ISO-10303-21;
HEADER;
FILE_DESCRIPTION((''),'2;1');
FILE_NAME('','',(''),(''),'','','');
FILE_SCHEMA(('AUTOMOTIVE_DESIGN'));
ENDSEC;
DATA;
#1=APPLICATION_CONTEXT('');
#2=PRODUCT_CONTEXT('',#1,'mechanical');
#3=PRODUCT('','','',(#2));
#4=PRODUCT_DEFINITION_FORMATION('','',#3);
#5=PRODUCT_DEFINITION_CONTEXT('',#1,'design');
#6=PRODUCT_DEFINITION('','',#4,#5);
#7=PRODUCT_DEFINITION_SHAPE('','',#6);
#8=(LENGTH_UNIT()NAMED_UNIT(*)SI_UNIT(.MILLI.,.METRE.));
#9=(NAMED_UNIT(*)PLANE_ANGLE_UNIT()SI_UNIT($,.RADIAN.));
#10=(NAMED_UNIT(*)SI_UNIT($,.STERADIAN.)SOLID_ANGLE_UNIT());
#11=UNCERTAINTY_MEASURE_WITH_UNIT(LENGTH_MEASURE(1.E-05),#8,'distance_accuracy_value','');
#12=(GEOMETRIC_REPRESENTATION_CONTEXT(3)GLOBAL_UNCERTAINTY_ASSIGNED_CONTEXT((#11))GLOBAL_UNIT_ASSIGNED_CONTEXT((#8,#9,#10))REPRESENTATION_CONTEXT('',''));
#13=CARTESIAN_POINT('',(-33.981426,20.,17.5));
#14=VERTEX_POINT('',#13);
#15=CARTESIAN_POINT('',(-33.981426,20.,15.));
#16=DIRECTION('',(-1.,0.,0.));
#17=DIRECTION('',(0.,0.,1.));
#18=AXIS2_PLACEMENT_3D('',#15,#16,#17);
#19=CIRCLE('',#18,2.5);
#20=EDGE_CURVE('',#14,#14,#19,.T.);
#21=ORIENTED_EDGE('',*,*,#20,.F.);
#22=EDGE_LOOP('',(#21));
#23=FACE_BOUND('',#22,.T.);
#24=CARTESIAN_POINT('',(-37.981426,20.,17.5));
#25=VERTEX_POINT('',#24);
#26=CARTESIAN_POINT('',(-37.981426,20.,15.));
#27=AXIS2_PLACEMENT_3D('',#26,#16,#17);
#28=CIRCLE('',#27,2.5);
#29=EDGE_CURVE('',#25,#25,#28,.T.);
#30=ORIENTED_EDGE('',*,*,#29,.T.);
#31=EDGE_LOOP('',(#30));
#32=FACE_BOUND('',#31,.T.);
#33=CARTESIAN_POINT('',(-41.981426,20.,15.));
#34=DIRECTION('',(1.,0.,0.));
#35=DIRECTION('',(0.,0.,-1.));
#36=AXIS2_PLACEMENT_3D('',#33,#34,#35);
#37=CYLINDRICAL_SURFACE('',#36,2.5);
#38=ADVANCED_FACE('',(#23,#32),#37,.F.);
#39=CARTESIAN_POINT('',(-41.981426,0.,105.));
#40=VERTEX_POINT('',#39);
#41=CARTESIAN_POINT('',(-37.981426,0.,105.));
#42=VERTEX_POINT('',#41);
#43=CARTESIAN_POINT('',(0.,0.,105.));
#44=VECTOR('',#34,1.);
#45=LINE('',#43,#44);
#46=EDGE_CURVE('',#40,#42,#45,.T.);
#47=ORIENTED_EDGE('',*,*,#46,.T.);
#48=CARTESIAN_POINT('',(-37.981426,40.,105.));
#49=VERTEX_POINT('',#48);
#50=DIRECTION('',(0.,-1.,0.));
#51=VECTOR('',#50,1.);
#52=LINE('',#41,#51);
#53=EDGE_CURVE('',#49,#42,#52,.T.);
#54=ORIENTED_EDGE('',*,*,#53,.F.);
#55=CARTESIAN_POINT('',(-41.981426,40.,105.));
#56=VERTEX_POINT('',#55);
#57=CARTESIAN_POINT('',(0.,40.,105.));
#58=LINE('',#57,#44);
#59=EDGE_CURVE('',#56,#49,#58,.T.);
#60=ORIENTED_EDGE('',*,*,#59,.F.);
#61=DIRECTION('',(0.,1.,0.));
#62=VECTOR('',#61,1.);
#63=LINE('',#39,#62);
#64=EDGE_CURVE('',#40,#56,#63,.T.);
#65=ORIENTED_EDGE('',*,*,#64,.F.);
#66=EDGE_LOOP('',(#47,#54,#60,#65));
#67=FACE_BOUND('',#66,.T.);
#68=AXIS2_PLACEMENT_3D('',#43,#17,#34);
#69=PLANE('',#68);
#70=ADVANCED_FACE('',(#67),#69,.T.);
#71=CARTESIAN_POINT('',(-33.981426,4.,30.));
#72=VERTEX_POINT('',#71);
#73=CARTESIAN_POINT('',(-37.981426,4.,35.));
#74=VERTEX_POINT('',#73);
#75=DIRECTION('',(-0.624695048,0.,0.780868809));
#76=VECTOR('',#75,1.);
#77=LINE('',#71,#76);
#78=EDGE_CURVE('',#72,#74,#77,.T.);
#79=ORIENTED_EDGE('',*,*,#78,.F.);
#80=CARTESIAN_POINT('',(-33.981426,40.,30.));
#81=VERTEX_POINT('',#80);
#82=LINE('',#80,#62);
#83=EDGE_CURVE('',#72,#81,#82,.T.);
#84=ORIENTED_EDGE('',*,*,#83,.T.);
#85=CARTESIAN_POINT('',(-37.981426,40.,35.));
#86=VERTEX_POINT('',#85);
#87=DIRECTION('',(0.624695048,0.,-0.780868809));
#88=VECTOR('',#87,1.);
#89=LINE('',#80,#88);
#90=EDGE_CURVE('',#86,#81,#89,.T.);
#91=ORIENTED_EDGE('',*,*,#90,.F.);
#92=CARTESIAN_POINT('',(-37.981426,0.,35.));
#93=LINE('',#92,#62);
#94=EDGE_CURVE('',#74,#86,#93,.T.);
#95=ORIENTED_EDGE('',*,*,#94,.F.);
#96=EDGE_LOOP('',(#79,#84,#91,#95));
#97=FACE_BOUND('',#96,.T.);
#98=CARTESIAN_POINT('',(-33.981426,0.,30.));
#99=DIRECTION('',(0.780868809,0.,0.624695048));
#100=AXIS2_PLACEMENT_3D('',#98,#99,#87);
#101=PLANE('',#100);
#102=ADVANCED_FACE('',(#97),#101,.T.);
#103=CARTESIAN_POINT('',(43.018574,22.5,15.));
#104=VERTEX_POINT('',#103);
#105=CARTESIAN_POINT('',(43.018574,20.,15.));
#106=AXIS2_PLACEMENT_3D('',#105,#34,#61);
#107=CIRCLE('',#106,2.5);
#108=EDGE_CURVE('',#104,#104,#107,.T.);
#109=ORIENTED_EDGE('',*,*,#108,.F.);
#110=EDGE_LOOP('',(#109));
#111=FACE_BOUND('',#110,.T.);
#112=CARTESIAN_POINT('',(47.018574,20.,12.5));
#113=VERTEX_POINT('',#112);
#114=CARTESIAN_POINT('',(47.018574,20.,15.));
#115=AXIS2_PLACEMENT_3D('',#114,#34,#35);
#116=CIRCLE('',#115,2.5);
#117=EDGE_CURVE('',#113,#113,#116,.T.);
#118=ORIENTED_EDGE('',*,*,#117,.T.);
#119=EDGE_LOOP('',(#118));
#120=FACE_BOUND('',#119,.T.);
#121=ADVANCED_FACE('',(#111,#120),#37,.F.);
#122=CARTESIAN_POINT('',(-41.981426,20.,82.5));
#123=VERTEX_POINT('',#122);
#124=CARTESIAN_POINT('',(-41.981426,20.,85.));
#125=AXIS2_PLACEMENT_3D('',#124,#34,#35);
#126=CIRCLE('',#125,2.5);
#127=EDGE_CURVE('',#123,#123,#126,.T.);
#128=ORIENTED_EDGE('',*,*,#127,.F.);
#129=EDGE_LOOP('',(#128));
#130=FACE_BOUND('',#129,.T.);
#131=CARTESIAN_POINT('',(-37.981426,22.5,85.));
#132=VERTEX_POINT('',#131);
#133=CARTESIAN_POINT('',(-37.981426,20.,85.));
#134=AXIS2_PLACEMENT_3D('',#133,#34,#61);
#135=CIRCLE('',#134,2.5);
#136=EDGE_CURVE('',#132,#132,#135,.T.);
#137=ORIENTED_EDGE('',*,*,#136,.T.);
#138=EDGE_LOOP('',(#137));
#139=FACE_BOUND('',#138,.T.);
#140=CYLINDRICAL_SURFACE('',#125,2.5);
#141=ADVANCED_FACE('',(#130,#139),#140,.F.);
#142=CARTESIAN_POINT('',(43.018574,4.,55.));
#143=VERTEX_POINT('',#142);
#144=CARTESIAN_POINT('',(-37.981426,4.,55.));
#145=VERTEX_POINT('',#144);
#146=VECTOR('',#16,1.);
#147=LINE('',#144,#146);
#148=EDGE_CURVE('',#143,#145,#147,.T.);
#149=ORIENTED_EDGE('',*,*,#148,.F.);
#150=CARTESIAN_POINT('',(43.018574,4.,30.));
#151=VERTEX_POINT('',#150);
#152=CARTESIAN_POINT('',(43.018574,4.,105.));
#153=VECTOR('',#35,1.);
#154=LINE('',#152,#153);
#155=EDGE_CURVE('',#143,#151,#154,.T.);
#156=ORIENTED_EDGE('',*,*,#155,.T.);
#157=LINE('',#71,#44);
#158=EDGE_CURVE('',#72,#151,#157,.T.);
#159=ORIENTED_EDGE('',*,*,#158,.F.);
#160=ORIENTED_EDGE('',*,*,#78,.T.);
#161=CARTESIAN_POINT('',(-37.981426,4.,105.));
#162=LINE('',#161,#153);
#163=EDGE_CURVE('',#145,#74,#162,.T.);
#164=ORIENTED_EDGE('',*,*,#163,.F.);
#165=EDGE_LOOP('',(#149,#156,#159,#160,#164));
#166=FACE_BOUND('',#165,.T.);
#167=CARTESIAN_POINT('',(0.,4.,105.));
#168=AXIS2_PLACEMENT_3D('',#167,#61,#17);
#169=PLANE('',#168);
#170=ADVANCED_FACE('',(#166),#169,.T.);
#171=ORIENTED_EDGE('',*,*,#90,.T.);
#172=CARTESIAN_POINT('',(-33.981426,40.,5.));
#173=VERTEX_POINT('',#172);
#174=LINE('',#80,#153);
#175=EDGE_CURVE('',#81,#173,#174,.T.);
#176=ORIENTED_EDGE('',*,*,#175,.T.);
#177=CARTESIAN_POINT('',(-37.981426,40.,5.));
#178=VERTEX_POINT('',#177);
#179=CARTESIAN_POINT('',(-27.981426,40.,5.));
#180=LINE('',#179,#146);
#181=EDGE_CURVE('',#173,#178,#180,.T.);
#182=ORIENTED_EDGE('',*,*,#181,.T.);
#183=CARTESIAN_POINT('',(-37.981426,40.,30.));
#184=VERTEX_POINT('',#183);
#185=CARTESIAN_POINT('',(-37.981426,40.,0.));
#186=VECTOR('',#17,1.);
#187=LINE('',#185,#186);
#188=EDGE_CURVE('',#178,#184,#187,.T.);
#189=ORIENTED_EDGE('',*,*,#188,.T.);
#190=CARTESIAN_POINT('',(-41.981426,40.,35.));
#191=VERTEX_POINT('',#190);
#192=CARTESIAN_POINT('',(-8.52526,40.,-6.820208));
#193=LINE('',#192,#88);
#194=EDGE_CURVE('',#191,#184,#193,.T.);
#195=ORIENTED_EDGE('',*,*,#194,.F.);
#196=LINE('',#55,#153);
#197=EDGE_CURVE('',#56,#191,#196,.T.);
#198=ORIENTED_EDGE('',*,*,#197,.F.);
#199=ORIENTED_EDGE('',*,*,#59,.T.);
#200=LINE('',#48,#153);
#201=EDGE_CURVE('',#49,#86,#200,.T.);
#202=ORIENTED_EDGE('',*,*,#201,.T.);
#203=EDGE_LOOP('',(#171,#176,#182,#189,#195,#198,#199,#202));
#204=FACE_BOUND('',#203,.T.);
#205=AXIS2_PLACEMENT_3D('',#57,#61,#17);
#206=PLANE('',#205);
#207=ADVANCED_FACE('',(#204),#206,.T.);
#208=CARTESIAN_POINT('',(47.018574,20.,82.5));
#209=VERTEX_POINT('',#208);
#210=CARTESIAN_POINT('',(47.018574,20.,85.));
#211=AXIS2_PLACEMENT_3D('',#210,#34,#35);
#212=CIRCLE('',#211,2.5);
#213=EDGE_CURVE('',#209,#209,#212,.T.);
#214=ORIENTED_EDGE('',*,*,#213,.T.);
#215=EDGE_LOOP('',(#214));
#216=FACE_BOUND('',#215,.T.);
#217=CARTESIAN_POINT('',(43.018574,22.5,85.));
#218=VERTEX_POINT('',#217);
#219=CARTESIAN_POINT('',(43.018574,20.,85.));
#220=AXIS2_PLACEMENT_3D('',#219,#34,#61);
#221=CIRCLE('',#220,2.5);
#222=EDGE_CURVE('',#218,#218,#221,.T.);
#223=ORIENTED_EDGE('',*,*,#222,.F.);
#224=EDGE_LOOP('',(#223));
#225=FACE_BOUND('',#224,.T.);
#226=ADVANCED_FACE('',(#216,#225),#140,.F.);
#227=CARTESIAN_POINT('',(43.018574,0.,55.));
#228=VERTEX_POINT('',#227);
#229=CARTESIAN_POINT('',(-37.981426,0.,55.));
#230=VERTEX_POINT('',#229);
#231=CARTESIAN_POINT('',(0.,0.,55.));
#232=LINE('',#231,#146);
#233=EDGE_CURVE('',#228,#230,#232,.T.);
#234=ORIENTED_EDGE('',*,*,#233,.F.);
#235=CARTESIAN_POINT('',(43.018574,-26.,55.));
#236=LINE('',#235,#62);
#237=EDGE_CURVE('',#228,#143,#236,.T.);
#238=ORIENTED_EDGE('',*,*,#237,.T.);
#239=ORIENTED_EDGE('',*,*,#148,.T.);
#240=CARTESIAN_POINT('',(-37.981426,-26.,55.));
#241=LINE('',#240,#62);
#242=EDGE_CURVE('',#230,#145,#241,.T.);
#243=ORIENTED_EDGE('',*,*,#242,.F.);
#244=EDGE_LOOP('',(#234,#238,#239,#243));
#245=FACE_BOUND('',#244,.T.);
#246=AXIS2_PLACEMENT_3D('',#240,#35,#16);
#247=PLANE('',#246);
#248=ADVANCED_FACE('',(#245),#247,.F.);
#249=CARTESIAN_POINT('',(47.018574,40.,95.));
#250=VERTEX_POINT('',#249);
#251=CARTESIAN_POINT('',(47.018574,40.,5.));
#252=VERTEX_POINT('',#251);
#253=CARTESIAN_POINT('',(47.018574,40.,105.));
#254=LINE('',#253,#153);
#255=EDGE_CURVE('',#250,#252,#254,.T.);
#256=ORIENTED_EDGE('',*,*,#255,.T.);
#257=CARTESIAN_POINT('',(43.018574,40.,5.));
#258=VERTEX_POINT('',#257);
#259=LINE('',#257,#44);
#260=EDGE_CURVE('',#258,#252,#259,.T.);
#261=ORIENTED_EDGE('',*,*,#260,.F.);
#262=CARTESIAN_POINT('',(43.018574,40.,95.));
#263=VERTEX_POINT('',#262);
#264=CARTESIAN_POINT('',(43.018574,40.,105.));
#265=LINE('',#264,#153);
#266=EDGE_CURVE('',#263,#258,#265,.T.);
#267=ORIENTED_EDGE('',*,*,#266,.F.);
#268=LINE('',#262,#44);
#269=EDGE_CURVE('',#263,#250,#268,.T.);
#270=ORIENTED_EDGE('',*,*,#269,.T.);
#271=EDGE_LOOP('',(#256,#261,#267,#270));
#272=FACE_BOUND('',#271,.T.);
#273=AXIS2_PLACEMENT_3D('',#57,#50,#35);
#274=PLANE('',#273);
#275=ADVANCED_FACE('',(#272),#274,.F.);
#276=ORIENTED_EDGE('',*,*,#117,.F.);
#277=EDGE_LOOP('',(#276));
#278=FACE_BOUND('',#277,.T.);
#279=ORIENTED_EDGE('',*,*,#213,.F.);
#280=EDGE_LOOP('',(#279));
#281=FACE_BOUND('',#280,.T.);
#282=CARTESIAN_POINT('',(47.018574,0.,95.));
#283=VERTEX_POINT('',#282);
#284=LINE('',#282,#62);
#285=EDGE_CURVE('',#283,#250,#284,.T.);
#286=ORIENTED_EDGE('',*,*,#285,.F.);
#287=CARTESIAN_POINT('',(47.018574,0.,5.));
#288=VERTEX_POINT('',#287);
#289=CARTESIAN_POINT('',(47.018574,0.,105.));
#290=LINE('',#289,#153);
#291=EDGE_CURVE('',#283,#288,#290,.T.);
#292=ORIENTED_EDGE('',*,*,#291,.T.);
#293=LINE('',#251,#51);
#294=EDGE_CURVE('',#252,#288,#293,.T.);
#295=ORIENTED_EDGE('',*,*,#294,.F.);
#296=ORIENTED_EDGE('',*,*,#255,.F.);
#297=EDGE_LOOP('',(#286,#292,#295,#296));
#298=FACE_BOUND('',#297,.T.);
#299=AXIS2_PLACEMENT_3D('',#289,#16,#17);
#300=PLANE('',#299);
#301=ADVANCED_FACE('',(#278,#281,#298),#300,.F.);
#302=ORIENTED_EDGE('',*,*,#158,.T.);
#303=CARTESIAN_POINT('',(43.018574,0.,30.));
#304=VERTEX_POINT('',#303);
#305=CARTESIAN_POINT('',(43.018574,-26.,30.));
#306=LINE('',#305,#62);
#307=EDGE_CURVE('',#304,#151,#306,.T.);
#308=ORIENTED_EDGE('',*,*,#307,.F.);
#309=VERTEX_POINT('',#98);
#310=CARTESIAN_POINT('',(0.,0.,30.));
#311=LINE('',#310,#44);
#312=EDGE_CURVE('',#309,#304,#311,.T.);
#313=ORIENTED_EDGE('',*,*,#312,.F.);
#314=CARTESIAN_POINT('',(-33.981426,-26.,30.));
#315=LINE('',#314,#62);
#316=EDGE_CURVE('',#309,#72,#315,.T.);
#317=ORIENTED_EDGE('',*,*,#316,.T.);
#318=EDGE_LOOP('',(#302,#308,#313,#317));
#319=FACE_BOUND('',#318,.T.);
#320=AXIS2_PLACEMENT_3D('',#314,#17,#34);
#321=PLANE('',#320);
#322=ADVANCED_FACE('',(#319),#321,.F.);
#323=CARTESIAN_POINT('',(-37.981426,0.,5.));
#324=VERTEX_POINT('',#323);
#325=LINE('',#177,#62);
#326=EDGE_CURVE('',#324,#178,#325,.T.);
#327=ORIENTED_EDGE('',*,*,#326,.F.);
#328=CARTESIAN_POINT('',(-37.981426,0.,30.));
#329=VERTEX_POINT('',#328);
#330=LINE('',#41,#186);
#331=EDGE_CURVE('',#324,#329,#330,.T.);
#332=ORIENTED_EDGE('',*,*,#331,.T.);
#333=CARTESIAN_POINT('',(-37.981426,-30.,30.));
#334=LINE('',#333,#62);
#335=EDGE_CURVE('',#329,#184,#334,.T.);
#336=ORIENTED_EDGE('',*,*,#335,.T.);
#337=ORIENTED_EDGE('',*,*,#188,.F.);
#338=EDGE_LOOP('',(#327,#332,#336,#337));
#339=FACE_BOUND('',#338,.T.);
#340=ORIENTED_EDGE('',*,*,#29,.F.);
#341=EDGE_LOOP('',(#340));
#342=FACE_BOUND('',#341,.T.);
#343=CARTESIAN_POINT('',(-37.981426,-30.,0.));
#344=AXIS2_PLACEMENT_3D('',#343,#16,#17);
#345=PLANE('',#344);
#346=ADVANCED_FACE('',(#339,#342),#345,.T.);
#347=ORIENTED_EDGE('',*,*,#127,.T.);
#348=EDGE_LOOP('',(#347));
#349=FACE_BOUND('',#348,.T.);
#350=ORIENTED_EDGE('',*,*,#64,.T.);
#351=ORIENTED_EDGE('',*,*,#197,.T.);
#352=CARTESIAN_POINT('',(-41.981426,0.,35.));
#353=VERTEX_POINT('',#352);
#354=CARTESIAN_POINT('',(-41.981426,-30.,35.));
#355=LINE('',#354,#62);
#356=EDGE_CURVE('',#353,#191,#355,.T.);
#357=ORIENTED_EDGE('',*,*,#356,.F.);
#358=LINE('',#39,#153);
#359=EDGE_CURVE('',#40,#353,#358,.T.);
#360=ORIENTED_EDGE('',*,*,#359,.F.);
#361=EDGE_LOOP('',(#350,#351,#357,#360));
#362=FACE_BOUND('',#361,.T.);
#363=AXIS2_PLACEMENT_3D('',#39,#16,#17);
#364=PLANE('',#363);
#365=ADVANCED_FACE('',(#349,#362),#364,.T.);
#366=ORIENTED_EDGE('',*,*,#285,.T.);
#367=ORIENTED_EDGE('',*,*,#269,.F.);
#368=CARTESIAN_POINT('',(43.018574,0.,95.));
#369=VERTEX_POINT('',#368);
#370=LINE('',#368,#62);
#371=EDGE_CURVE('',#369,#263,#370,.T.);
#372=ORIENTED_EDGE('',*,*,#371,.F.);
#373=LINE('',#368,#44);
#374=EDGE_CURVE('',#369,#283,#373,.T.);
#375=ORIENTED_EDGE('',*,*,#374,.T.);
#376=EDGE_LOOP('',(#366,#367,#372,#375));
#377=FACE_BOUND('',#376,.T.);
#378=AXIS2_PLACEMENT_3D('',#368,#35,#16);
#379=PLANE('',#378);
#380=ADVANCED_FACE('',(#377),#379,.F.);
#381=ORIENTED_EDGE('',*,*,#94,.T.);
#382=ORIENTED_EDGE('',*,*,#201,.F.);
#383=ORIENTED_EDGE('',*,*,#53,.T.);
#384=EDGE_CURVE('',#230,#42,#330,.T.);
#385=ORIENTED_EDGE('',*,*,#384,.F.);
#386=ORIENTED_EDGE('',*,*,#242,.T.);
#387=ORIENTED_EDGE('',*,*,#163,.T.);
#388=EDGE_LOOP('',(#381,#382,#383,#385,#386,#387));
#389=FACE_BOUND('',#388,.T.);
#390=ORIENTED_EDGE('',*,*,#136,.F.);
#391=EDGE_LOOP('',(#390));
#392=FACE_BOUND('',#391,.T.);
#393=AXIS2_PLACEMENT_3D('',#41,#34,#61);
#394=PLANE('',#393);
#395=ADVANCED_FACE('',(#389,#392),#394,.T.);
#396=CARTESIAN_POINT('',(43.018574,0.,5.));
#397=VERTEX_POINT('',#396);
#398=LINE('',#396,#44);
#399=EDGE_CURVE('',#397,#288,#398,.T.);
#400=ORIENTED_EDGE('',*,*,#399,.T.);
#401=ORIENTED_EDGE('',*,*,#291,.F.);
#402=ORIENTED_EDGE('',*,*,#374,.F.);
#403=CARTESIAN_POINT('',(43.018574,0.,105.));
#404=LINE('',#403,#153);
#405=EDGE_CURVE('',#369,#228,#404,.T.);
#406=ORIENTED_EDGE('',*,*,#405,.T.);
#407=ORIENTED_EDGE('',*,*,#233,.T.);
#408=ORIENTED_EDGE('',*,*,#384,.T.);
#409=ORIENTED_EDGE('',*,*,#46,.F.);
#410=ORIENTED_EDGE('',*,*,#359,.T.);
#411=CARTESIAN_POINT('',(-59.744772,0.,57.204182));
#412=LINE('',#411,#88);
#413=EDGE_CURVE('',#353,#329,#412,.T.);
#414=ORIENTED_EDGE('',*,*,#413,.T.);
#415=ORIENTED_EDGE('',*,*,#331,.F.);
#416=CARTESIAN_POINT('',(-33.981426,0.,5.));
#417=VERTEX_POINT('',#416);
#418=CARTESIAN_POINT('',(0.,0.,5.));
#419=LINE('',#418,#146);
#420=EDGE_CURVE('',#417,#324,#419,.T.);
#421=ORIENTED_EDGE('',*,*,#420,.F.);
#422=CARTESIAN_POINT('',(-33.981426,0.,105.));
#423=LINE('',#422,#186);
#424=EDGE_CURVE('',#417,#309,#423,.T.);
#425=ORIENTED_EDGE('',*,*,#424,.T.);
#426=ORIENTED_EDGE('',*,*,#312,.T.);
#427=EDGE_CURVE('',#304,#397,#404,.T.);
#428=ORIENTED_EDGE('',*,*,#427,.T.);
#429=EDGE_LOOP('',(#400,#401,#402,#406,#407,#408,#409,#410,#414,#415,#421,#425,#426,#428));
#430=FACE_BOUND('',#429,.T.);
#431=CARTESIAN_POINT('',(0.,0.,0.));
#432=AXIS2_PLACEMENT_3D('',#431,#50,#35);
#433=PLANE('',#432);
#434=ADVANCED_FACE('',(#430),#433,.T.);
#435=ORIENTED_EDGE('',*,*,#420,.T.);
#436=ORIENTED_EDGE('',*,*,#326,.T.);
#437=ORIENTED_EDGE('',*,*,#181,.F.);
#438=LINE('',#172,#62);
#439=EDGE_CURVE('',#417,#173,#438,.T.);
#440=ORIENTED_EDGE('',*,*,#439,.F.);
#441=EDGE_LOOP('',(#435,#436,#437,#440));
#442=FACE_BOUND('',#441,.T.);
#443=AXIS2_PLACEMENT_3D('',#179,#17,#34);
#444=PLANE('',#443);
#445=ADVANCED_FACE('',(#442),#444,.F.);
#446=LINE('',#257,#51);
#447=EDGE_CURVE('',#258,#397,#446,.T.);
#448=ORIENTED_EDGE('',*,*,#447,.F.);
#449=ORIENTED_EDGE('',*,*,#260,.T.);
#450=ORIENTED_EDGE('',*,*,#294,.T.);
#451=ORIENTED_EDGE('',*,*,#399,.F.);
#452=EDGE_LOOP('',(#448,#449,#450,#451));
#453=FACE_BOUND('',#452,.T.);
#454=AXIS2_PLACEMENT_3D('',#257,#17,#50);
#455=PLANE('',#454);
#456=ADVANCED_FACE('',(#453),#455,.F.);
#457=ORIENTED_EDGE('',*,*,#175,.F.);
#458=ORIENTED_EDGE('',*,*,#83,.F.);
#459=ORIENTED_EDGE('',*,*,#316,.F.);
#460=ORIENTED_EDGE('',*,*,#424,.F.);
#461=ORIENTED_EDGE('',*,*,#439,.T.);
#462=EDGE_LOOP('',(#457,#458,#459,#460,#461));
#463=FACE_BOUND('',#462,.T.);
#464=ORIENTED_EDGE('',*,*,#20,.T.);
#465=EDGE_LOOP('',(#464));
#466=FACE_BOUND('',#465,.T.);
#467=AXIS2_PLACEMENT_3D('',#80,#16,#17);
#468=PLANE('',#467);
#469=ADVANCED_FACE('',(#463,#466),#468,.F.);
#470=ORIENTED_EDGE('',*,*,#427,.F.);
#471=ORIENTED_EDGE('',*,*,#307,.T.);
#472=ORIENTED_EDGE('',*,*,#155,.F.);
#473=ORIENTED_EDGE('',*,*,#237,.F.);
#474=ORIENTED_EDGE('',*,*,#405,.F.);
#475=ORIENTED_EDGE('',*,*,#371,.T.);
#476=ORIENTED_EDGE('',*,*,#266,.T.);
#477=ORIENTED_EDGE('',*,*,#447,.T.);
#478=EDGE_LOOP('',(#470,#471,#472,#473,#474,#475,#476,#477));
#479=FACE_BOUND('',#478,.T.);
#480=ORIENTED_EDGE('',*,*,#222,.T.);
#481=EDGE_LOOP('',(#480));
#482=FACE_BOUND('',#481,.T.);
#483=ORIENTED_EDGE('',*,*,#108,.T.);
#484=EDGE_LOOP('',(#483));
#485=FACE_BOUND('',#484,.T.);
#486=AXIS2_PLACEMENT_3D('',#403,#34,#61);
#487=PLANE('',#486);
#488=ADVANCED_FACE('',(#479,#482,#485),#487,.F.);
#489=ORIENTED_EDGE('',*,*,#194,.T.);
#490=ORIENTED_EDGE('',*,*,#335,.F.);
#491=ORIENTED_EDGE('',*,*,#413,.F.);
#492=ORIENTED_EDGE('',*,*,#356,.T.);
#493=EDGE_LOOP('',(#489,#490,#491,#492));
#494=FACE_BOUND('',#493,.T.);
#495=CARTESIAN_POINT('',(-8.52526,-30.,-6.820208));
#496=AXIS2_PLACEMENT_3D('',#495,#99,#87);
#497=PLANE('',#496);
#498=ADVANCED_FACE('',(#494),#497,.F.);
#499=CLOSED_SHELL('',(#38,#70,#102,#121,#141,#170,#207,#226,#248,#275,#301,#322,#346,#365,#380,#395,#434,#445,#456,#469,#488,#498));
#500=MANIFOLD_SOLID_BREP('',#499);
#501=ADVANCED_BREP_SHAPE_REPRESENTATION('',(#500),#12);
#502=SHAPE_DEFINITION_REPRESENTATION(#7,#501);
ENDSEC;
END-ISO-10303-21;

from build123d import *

# Parameters (mm, degrees)
SALIENTE_EXTRUIR1_DEPTH = 105
CROQUIS3_W              = 4
CROQUIS3_H              = 30
SALIENTE_EXTRUIR2_DEPTH = 30
CROQUIS4_W              = 77
CROQUIS4_H              = 30
CORTAR_EXTRUIR1_DEPTH   = 30
CROQUIS5_W              = 81
CROQUIS5_H              = 50
CORTAR_EXTRUIR2_DEPTH   = 30
CROQUIS6_W              = 4
CROQUIS6_H              = 30
CORTAR_EXTRUIR3_DEPTH   = 70
SALIENTE_EXTRUIR4_DEPTH = 40
CROQUIS7_W              = 30
CROQUIS7_H              = 6
SALIENTE_EXTRUIR5_DEPTH = 4
CROQUIS10_W             = 5
CROQUIS10_H             = 40
CORTAR_EXTRUIR5_DEPTH   = 4
CROQUIS11_W             = 10
CROQUIS11_H             = 40
CORTAR_EXTRUIR6_DEPTH   = 4
CROQUIS12_R             = 2.5
CORTAR_EXTRUIR7_DEPTH   = 90
CROQUIS13_W             = 5
CROQUIS13_H             = 40
CORTAR_EXTRUIR8_DEPTH   = 10


with BuildPart() as part:
    # Croquis2 → Saliente-Extruir1 (new body)
    with BuildSketch(Plane.XY):
        Polygon((47.018573694, 40), (43.018573694, 40), (43.018573694, 4), (-37.981426306, 4), (-37.981426306, 40), (-41.981426306, 40), (-41.981426306, 0), (47.018573694, 0), align=None)
    extrude(amount=SALIENTE_EXTRUIR1_DEPTH)

    # Croquis3 → Saliente-Extruir2 (add)
    with BuildSketch(Plane.XY):
        with Locations((-35.981426306, 25)):
            Rectangle(CROQUIS3_W, CROQUIS3_H)
    extrude(amount=SALIENTE_EXTRUIR2_DEPTH)

    # Croquis4 → Cortar-Extruir1 (cut)
    with BuildSketch(Plane(origin=(0, 4, 0), x_dir=(1, 0, 0), z_dir=(0, 1, 0))):
        with Locations((4.518573694, -15)):
            Rectangle(CROQUIS4_W, CROQUIS4_H)
    extrude(amount=-CORTAR_EXTRUIR1_DEPTH, mode=Mode.SUBTRACT)

    # Croquis5 → Cortar-Extruir2 (cut)
    with BuildSketch(Plane(origin=(0, 4, 0), x_dir=(1, 0, 0), z_dir=(0, 1, 0))):
        with Locations((2.518573694, -80)):
            Rectangle(CROQUIS5_W, CROQUIS5_H)
    extrude(amount=-CORTAR_EXTRUIR2_DEPTH, mode=Mode.SUBTRACT)

    # Croquis6 → Cortar-Extruir3 (cut)
    with BuildSketch(Plane(origin=(0, 40, 0), x_dir=(1, 0, 0), z_dir=(0, 1, 0))):
        with Locations((-39.981426306, -15)):
            Rectangle(CROQUIS6_W, CROQUIS6_H)
        Polygon((-41.981426306, -30), (-41.981426306, -35), (-37.981426306, -30), align=None)
    extrude(amount=-CORTAR_EXTRUIR3_DEPTH, mode=Mode.SUBTRACT)

    # Croquis8 → Saliente-Extruir4 (add)
    with BuildSketch(Plane(origin=(0, 40, 0), x_dir=(1, 0, 0), z_dir=(0, 1, 0))):
        Polygon((-37.981426306, -30), (-33.981426306, -30), (-37.981426306, -35), align=None)
    extrude(amount=-SALIENTE_EXTRUIR4_DEPTH)

    # Croquis7 → Saliente-Extruir5 (add)
    with BuildSketch(Plane.ZY.offset(37.981426306)):
        with Locations((15, 7)):
            Rectangle(CROQUIS7_W, CROQUIS7_H)
    extrude(amount=-SALIENTE_EXTRUIR5_DEPTH)

    # Croquis10 → Cortar-Extruir5 (cut)
    with BuildSketch(Plane(origin=(47.018573694, 0, 0), x_dir=(0, 0, -1), z_dir=(1, 0, 0))):
        with Locations((-2.5, 20)):
            Rectangle(CROQUIS10_W, CROQUIS10_H)
    extrude(amount=-CORTAR_EXTRUIR5_DEPTH, mode=Mode.SUBTRACT)

    # Croquis11 → Cortar-Extruir6 (cut)
    with BuildSketch(Plane(origin=(47.018573694, 0, 0), x_dir=(0, 0, -1), z_dir=(1, 0, 0))):
        with Locations((-100, 20)):
            Rectangle(CROQUIS11_W, CROQUIS11_H)
    extrude(amount=-CORTAR_EXTRUIR6_DEPTH, mode=Mode.SUBTRACT)

    # Croquis12 → Cortar-Extruir7 (cut, through all)
    with BuildSketch(Plane(origin=(47.018573694, 0, 0), x_dir=(0, 0, -1), z_dir=(1, 0, 0))):
        with Locations((-15, 20)):
            Circle(CROQUIS12_R)
        with Locations((-85, 20)):
            Circle(CROQUIS12_R)
    extrude(amount=-CORTAR_EXTRUIR7_DEPTH, mode=Mode.SUBTRACT)

    # Croquis13 → Cortar-Extruir8 (cut)
    with BuildSketch(Plane.ZY.offset(37.981426306)):
        with Locations((2.5, 20)):
            Rectangle(CROQUIS13_W, CROQUIS13_H)
    extrude(amount=-CORTAR_EXTRUIR8_DEPTH, mode=Mode.SUBTRACT)


solid = part.part
